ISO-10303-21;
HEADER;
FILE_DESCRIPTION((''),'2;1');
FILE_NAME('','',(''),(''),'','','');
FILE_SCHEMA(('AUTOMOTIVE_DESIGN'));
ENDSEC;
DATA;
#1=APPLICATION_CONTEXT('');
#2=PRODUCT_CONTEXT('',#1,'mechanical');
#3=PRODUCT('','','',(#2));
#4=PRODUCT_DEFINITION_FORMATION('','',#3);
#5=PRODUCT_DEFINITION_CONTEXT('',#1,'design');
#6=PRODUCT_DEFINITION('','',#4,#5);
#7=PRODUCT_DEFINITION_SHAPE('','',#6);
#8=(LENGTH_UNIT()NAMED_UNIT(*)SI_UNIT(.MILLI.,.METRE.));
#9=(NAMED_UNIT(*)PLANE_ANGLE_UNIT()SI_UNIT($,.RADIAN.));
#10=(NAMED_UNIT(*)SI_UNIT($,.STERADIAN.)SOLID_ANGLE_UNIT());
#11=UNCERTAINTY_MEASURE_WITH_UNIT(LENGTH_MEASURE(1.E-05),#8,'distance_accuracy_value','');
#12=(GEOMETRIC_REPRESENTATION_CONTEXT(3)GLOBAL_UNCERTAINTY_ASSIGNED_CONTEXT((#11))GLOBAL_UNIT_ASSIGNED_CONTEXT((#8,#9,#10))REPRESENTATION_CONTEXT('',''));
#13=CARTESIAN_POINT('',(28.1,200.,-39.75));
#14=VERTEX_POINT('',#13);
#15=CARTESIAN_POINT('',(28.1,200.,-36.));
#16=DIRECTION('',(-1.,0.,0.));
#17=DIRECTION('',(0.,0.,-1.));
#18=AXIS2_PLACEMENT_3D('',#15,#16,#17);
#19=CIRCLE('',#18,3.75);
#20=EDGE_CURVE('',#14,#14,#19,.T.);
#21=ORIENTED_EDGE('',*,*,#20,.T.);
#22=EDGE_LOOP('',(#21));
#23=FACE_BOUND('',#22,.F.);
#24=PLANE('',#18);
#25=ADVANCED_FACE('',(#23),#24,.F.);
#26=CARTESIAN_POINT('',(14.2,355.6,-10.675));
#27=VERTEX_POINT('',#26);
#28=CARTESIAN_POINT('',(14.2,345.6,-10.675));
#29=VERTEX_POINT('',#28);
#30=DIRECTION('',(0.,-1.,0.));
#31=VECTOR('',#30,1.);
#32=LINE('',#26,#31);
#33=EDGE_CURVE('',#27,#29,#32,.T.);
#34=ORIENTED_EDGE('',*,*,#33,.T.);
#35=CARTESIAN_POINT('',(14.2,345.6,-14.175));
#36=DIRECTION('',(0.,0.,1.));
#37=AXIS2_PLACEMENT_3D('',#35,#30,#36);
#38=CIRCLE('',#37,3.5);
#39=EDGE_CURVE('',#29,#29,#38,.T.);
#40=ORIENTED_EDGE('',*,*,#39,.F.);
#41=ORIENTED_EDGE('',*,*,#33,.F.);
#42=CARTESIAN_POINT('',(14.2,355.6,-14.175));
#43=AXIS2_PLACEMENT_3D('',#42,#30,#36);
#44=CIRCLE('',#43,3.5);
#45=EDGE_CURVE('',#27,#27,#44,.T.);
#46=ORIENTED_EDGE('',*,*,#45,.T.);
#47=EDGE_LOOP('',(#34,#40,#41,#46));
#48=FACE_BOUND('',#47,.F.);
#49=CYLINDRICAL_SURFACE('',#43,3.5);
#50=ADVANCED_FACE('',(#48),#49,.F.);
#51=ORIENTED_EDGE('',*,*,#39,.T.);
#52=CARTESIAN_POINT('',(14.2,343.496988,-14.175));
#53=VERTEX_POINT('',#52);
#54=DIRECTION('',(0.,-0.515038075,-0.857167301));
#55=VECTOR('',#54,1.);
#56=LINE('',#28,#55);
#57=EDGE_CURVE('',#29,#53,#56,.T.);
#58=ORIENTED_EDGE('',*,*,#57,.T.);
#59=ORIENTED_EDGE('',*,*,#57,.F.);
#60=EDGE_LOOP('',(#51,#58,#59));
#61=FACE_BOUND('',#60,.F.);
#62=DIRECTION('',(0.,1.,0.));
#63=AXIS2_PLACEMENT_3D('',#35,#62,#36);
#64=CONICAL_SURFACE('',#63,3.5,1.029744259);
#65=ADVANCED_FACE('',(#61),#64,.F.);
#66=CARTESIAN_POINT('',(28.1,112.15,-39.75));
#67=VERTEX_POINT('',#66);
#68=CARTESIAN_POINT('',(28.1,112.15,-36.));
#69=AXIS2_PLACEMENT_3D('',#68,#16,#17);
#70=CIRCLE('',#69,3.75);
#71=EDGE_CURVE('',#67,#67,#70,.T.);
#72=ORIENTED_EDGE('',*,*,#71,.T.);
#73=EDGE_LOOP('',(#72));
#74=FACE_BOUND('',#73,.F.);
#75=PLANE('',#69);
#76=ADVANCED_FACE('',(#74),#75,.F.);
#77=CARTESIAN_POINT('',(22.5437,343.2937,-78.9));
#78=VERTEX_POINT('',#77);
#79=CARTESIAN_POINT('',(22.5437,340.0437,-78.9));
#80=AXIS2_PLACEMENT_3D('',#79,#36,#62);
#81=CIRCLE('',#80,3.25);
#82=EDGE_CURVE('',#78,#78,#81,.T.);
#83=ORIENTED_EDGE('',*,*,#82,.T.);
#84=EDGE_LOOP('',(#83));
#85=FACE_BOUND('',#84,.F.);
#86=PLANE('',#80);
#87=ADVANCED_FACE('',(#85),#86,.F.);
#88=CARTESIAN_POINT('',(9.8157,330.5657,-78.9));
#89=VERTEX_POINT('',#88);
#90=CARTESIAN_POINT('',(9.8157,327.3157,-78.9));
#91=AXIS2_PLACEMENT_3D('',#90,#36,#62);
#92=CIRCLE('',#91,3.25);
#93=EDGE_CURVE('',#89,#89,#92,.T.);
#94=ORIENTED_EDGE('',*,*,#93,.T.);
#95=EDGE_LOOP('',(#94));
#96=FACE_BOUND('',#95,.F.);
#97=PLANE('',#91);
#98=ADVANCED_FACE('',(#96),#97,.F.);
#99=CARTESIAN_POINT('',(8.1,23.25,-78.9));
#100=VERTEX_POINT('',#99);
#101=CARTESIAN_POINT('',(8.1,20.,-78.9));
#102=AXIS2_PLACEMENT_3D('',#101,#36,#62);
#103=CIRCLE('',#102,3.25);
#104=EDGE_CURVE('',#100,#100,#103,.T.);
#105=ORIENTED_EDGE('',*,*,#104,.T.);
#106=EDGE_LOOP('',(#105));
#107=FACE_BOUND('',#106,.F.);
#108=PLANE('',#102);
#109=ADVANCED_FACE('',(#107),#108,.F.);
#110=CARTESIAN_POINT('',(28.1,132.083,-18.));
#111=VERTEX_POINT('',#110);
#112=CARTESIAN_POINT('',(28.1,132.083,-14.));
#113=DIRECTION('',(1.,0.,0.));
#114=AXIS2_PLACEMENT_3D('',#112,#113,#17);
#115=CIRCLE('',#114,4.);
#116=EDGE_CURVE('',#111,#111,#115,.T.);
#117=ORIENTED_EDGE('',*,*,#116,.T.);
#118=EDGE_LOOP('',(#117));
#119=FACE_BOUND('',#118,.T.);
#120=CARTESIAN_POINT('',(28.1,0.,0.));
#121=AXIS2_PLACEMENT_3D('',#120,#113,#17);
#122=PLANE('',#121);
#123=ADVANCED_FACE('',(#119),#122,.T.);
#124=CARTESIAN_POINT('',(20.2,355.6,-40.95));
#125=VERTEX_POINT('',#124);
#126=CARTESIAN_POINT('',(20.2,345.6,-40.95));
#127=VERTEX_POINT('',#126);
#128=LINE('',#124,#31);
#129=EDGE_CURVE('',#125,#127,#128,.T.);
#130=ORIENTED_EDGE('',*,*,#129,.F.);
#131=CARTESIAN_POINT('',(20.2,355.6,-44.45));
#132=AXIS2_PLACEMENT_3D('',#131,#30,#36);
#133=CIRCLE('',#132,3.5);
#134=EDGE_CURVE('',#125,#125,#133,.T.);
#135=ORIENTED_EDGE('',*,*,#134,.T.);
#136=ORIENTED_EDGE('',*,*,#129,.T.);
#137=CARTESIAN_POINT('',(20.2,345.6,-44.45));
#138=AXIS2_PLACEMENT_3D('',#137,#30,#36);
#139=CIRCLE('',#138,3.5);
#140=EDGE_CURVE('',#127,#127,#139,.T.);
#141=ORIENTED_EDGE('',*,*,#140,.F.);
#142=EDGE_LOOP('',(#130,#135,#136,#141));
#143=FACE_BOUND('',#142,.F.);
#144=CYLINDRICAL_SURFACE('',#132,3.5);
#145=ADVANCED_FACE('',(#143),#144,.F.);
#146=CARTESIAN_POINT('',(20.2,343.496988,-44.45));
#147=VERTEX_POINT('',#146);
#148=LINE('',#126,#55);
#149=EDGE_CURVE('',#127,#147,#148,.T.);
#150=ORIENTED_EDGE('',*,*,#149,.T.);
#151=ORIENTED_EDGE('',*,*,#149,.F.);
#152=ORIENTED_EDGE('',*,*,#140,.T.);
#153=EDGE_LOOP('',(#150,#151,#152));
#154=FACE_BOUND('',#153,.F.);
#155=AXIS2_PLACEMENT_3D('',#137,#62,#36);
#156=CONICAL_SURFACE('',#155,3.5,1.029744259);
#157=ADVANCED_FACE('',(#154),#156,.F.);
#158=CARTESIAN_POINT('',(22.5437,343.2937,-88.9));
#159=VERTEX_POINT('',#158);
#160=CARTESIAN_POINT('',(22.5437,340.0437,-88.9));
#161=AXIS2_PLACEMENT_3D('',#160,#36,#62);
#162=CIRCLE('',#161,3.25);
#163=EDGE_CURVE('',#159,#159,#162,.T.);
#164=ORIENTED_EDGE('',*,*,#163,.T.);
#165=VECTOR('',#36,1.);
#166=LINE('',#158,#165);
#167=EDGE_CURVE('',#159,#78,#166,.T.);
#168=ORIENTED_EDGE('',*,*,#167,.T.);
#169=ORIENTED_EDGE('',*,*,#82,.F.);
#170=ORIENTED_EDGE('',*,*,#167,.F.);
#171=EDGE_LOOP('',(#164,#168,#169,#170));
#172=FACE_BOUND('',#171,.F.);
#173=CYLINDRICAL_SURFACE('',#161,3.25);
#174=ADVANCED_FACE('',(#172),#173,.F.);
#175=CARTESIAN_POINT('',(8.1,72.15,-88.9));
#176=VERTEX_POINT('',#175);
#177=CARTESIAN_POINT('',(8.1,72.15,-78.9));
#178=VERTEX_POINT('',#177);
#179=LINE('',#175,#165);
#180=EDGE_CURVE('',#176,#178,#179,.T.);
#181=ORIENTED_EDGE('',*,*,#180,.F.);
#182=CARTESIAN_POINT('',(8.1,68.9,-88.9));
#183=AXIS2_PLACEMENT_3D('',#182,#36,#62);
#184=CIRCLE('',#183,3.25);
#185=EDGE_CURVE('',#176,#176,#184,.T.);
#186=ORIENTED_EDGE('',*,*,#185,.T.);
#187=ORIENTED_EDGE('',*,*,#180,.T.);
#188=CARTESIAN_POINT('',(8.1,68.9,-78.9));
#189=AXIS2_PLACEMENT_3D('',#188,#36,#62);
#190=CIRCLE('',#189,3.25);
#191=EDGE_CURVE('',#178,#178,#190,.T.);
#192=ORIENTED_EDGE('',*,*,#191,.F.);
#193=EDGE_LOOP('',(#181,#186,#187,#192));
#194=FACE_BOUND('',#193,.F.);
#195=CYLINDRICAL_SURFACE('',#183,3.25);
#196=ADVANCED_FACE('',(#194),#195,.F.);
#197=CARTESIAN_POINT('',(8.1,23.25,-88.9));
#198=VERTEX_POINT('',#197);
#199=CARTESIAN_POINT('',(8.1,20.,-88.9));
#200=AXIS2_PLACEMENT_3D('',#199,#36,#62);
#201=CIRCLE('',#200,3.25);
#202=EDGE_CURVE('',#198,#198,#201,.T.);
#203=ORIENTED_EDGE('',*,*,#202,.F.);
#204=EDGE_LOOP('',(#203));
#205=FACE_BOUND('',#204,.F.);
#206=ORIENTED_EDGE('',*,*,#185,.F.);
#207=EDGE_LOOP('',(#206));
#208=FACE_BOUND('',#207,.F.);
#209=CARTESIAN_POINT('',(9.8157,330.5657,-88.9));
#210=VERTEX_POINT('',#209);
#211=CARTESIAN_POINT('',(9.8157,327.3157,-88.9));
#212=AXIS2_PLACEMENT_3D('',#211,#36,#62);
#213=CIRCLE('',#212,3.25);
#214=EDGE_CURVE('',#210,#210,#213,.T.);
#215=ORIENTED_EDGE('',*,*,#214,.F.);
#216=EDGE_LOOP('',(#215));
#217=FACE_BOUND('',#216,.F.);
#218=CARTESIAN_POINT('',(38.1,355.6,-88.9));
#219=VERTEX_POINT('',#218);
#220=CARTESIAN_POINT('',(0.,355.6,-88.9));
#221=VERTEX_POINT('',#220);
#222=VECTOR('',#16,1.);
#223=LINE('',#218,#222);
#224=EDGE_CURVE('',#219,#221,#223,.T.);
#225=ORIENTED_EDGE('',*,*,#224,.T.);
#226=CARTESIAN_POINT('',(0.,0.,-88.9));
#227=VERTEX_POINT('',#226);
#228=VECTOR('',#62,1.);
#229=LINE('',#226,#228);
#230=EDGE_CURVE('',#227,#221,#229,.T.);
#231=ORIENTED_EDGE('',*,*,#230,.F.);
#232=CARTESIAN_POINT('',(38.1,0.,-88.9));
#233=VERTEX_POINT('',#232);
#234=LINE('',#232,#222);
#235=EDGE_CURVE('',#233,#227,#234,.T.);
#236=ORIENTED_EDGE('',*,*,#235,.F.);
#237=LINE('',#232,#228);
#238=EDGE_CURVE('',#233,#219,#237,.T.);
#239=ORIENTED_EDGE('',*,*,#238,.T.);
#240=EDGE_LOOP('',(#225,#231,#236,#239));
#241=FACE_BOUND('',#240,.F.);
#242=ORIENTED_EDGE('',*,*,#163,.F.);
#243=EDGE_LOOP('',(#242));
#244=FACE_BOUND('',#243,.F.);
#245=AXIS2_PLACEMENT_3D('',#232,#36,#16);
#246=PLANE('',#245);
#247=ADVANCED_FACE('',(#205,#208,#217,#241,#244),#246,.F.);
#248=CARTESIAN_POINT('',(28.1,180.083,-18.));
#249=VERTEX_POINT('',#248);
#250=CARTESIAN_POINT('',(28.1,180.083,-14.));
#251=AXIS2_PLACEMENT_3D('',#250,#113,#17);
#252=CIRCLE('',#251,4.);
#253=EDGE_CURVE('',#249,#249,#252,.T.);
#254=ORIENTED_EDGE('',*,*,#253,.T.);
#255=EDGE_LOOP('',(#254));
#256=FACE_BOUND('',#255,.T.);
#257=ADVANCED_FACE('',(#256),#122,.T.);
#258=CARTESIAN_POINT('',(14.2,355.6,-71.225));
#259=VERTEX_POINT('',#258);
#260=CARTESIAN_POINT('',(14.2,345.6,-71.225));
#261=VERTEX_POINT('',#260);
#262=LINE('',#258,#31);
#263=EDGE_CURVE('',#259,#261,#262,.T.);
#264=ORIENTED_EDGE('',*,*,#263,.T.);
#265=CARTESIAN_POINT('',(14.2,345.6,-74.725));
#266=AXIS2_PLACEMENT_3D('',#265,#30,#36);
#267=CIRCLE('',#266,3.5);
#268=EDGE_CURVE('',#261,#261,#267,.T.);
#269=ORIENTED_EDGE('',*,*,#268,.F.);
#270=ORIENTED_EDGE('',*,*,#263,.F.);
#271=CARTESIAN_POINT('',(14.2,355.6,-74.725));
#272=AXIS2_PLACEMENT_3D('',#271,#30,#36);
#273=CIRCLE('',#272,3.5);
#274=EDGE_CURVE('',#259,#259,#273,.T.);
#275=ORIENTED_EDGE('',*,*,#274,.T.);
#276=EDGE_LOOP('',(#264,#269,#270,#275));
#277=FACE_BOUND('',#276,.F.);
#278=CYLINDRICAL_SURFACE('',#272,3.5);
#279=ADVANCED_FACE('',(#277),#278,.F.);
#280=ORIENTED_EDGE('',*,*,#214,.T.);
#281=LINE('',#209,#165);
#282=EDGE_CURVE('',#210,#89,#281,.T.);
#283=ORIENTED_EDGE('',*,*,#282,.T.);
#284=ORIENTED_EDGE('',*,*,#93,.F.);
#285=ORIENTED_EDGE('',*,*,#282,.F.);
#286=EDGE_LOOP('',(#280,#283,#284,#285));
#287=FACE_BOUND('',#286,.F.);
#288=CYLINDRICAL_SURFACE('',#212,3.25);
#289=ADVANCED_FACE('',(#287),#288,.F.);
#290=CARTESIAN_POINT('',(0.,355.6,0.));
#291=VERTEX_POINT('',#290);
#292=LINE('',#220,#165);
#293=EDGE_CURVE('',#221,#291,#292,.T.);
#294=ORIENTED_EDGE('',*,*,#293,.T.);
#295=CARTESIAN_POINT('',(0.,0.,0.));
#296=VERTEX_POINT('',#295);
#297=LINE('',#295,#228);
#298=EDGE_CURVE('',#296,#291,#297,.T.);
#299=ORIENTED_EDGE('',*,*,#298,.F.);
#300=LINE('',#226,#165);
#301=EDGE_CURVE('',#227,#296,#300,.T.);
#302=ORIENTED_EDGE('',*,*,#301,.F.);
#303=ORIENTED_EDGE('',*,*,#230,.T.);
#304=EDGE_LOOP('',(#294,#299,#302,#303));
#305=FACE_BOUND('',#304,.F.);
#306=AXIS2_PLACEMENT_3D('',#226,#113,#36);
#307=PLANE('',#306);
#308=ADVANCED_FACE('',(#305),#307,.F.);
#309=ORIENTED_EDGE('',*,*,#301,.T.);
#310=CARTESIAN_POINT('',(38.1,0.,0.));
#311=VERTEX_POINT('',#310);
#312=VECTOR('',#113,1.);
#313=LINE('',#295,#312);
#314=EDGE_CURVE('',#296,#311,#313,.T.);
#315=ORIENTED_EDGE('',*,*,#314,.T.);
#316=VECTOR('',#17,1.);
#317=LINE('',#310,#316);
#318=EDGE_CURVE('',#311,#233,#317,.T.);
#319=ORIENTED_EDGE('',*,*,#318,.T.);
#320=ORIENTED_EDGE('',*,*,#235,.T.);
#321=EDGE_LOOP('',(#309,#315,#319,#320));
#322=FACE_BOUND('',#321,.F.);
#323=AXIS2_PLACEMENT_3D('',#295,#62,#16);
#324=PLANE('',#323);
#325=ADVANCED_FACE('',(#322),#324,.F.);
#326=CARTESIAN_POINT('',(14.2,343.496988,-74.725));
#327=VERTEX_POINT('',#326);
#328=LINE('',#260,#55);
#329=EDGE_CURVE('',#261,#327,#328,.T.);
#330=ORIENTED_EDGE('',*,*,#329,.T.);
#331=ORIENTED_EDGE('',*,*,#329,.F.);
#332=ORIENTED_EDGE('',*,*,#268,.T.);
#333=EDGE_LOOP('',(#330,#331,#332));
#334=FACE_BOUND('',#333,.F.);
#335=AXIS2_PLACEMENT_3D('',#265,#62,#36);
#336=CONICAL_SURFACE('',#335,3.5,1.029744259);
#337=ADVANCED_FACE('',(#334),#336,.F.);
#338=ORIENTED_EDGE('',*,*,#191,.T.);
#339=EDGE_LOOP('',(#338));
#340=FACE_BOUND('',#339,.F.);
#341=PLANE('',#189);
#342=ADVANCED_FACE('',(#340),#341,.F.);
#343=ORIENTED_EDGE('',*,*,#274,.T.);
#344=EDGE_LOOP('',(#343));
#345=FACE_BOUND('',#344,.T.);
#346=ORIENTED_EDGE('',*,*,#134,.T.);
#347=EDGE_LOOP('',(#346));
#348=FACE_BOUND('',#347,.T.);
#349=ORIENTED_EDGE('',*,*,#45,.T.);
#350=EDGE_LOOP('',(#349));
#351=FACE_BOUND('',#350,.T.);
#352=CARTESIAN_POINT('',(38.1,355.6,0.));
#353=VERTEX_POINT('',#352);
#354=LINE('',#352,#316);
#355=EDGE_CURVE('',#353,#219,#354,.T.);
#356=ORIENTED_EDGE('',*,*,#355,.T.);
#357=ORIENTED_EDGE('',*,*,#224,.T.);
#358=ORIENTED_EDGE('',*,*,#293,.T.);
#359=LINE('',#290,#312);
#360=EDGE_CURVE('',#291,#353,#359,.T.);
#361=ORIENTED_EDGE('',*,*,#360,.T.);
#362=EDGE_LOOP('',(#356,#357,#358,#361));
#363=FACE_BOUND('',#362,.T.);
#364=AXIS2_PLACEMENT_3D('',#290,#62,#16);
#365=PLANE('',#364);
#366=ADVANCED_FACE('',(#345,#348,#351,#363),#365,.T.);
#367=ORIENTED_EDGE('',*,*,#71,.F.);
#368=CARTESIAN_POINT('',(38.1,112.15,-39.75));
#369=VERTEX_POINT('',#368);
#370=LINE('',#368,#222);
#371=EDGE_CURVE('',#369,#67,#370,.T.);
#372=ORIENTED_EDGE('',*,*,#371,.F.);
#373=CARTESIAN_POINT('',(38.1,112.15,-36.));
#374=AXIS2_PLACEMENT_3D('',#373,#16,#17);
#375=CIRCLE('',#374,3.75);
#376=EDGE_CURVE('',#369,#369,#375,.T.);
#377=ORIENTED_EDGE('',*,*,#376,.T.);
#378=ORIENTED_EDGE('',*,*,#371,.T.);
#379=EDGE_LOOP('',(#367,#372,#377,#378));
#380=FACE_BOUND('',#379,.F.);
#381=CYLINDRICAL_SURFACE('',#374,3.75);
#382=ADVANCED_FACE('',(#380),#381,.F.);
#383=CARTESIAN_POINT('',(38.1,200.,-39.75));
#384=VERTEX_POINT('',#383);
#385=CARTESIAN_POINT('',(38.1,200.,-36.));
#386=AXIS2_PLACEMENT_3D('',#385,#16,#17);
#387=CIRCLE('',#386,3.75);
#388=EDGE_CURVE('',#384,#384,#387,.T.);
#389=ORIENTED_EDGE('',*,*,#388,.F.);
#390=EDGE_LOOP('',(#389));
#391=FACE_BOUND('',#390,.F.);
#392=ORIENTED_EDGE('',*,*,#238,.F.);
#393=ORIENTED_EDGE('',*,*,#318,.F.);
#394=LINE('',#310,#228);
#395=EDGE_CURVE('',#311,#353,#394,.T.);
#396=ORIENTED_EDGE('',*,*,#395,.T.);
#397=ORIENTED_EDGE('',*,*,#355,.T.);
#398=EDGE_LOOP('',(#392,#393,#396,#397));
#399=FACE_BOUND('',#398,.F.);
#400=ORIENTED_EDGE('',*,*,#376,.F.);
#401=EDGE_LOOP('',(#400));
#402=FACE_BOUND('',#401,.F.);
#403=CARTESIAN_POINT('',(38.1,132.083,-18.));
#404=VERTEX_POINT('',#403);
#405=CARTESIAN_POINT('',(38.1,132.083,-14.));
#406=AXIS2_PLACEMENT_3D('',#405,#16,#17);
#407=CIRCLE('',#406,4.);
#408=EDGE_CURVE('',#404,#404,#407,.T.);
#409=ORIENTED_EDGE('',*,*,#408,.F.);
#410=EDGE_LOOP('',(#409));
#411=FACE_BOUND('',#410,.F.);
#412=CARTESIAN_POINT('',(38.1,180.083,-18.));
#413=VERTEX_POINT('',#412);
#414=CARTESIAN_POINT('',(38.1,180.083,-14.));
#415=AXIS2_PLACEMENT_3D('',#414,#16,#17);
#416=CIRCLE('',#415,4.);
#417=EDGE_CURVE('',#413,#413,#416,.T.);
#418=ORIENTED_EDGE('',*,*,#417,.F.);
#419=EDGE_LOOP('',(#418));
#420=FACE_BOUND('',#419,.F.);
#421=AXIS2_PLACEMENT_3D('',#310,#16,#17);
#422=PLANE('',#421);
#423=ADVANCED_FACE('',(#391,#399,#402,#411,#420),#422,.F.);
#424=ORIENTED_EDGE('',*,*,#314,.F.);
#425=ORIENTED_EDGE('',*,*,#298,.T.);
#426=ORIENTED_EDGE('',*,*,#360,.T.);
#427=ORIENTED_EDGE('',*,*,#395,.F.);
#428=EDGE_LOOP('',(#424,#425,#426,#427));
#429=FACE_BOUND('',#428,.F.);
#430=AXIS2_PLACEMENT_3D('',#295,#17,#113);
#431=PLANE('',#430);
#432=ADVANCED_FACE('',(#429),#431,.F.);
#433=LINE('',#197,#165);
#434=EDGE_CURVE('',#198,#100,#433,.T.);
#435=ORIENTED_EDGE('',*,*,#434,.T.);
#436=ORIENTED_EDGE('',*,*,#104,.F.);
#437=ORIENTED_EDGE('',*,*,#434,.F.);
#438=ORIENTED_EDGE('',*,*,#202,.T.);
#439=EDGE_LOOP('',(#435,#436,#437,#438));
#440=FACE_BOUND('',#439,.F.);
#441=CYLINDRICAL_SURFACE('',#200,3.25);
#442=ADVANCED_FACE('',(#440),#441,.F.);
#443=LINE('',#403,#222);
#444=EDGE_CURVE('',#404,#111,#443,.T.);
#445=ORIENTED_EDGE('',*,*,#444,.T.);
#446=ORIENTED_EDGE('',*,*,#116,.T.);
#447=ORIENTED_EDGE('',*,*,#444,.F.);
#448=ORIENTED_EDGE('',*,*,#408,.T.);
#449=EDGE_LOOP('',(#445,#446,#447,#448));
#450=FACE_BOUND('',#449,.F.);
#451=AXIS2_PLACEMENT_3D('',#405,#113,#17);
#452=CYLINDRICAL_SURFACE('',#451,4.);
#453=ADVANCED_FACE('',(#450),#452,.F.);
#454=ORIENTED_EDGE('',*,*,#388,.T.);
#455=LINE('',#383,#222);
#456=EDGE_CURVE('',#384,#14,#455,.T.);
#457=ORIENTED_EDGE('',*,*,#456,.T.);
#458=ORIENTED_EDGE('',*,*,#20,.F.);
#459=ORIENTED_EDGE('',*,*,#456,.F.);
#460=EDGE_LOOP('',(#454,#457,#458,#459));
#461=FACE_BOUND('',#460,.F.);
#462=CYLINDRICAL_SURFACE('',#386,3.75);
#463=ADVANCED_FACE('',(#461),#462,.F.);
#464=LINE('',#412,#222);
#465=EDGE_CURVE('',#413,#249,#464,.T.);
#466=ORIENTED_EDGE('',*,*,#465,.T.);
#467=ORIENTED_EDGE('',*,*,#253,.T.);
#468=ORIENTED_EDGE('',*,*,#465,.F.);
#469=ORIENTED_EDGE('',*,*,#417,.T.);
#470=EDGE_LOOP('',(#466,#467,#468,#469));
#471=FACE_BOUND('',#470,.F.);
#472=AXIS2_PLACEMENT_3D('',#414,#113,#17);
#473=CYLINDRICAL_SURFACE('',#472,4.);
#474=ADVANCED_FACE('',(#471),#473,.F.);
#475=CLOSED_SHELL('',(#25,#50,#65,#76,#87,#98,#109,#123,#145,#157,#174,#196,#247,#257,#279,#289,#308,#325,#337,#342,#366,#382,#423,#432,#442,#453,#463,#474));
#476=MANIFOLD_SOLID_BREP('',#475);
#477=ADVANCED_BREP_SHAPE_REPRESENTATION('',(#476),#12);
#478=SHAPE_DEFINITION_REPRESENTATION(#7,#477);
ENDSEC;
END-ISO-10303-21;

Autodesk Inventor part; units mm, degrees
ref_plane "YZ Plane" through (0, 0, 0) normal (1, 0, 0) x (0, 1, 0)
ref_plane "XZ Plane" through (0, 0, 0) normal (0, 1, 0) x (-1, 0, 0)
ref_plane "XY Plane" through (0, 0, 0) normal (0, 0, 1) x (1, 0, 0)
sketch "Sketch1" plane through (0, 0, 0) normal (0, 1, 0) x (-1, 0, 0)
  line L0 (0, 0) -> (-38.1, 0)
  line L1 (-38.1, 0) -> (-38.1, -88.9)
  line L2 (-38.1, -88.9) -> (0, -88.9)
  line L3 (0, -88.9) -> (0, 0)
  dimension "d0" = 38.1
  dimension "d1" = 88.9
extrude "Extrusion1" add sketch "Sketch1" along normal blind 355.6
sketch "Sketch3" plane through (0, 355.6, 0) normal (0, 1, 0) x (1, 0, 0)
  line L0 (14.2, 74.725) -> (14.2, 14.175)
  line L1 (38.1, 88.9) -> (0, 88.9) projected
  line L2 (0, 0) -> (38.1, 0) projected
  line L3 (14.2, 44.45) -> (20.2, 44.45)
  line L4 (0, 88.9) -> (0, 0) projected
  dimension "d59" = 60.55
  dimension "d60" = 14.175
  dimension "d61" = 14.175
  dimension "d62" = 6
  dimension "d63" = 30.275
  dimension "d64" = 20.2
hole "Hole1" at (14.2, 355.6, -74.725) at (20.2, 355.6, -44.45) at (14.2, 355.6, -14.175) direction (0, -1, 0) diameter 7 depth 10 tip angle 118
sketch "Sketch5" plane through (38.1, 0, -88.9) normal (0, 0, -1) x (-1, 0, 0)
  line L0 (0, 355.6) -> (28.2843, 327.3157)
  line L1 (0, 355.6) -> (38.1, 355.6) projected
  circle A0 centre (28.2843, 327.3157) radius 2.35
  circle A1 centre (15.5563, 340.0437) radius 2.35
  point P0 (38.1, 0)
  dimension "d25" = 45
  dimension "d26" = 40
  dimension "d27" = 4.7
  dimension "d28" = 4.7
  dimension "d29" = 18
hole "Hole2" at (9.8157, 327.3157, -88.9) at (22.5437, 340.0437, -88.9) direction (0, 0, 1) diameter 6.5 depth 10
sketch "Sketch6" plane through (38.1, 0, -88.9) normal (0, 0, -1) x (-1, 0, 0)
  line L0 (0, 0) -> (0, 355.6) projected
  line L1 (0, 0) -> (30, 0)
  line L2 (30, 0) -> (30, 20)
  line L3 (30, 20) -> (0, 20)
  line L4 (0, 20) -> (0, 0)
  line L5 (30, 20) -> (30, 68.9)
  circle A0 centre (30, 20) radius 6.1957
  circle A1 centre (30, 68.9) radius 5.1366
  point P0 (38.1, 0)
  dimension "d37" = 30
  dimension "d38" = 20
  dimension "d39" = 48.9
hole "Hole3" at (8.1, 20, -88.9) at (8.1, 68.9, -88.9) direction (0, 0, 1) diameter 6.5 depth 10
sketch "Sketch7" plane through (38.1, 0, 0) normal (1, 0, 0) x (0, 0, -1)
  line L0 (0, 0) -> (36, 0)
  line L1 (36, 0) -> (36, 200)
  line L2 (36, 200) -> (0, 200)
  line L3 (0, 200) -> (0, 0)
  circle A0 centre (36, 200) radius 3.75
  circle A1 centre (36, 112.15) radius 3.75
  dimension "d47" = 36
  dimension "d48" = 200
  dimension "d49" = 87.85
  dimension "d50" = 7.5
  dimension "d51" = 7.5
  dimension "d65" = 112.15
hole "Hole4" at (38.1, 112.15, -36) at (38.1, 200, -36) direction (-1, 0, 0) diameter 7.5 depth 10
sketch "Sketch8" plane through (38.1, 0, 0) normal (1, 0, 0) x (0, 0, -1)
  line L0 (0, 0) -> (14, 0)
  line L1 (14, 0) -> (14, 156.083) construction
  line L2 (14, 156.083) -> (0, 156.083)
  line L3 (0, 156.083) -> (0, 0)
  line L4 (14, 156.083) -> (14, 132.083)
  line L5 (14, 156.083) -> (14, 180.083)
  circle A0 centre (14, 132.083) radius 4
  circle A1 centre (14, 180.083) radius 4
  dimension "d66" = 156.083
  dimension "d67" = 14
  dimension "d69" = 24
  dimension "d70" = 24
  dimension "d71" = 8
  dimension "d72" = 8
extrude "Extrusion2" cut sketch "Sketch8" against normal blind 10
properties part number "thigh2x4" material "Wood (Birch)"
